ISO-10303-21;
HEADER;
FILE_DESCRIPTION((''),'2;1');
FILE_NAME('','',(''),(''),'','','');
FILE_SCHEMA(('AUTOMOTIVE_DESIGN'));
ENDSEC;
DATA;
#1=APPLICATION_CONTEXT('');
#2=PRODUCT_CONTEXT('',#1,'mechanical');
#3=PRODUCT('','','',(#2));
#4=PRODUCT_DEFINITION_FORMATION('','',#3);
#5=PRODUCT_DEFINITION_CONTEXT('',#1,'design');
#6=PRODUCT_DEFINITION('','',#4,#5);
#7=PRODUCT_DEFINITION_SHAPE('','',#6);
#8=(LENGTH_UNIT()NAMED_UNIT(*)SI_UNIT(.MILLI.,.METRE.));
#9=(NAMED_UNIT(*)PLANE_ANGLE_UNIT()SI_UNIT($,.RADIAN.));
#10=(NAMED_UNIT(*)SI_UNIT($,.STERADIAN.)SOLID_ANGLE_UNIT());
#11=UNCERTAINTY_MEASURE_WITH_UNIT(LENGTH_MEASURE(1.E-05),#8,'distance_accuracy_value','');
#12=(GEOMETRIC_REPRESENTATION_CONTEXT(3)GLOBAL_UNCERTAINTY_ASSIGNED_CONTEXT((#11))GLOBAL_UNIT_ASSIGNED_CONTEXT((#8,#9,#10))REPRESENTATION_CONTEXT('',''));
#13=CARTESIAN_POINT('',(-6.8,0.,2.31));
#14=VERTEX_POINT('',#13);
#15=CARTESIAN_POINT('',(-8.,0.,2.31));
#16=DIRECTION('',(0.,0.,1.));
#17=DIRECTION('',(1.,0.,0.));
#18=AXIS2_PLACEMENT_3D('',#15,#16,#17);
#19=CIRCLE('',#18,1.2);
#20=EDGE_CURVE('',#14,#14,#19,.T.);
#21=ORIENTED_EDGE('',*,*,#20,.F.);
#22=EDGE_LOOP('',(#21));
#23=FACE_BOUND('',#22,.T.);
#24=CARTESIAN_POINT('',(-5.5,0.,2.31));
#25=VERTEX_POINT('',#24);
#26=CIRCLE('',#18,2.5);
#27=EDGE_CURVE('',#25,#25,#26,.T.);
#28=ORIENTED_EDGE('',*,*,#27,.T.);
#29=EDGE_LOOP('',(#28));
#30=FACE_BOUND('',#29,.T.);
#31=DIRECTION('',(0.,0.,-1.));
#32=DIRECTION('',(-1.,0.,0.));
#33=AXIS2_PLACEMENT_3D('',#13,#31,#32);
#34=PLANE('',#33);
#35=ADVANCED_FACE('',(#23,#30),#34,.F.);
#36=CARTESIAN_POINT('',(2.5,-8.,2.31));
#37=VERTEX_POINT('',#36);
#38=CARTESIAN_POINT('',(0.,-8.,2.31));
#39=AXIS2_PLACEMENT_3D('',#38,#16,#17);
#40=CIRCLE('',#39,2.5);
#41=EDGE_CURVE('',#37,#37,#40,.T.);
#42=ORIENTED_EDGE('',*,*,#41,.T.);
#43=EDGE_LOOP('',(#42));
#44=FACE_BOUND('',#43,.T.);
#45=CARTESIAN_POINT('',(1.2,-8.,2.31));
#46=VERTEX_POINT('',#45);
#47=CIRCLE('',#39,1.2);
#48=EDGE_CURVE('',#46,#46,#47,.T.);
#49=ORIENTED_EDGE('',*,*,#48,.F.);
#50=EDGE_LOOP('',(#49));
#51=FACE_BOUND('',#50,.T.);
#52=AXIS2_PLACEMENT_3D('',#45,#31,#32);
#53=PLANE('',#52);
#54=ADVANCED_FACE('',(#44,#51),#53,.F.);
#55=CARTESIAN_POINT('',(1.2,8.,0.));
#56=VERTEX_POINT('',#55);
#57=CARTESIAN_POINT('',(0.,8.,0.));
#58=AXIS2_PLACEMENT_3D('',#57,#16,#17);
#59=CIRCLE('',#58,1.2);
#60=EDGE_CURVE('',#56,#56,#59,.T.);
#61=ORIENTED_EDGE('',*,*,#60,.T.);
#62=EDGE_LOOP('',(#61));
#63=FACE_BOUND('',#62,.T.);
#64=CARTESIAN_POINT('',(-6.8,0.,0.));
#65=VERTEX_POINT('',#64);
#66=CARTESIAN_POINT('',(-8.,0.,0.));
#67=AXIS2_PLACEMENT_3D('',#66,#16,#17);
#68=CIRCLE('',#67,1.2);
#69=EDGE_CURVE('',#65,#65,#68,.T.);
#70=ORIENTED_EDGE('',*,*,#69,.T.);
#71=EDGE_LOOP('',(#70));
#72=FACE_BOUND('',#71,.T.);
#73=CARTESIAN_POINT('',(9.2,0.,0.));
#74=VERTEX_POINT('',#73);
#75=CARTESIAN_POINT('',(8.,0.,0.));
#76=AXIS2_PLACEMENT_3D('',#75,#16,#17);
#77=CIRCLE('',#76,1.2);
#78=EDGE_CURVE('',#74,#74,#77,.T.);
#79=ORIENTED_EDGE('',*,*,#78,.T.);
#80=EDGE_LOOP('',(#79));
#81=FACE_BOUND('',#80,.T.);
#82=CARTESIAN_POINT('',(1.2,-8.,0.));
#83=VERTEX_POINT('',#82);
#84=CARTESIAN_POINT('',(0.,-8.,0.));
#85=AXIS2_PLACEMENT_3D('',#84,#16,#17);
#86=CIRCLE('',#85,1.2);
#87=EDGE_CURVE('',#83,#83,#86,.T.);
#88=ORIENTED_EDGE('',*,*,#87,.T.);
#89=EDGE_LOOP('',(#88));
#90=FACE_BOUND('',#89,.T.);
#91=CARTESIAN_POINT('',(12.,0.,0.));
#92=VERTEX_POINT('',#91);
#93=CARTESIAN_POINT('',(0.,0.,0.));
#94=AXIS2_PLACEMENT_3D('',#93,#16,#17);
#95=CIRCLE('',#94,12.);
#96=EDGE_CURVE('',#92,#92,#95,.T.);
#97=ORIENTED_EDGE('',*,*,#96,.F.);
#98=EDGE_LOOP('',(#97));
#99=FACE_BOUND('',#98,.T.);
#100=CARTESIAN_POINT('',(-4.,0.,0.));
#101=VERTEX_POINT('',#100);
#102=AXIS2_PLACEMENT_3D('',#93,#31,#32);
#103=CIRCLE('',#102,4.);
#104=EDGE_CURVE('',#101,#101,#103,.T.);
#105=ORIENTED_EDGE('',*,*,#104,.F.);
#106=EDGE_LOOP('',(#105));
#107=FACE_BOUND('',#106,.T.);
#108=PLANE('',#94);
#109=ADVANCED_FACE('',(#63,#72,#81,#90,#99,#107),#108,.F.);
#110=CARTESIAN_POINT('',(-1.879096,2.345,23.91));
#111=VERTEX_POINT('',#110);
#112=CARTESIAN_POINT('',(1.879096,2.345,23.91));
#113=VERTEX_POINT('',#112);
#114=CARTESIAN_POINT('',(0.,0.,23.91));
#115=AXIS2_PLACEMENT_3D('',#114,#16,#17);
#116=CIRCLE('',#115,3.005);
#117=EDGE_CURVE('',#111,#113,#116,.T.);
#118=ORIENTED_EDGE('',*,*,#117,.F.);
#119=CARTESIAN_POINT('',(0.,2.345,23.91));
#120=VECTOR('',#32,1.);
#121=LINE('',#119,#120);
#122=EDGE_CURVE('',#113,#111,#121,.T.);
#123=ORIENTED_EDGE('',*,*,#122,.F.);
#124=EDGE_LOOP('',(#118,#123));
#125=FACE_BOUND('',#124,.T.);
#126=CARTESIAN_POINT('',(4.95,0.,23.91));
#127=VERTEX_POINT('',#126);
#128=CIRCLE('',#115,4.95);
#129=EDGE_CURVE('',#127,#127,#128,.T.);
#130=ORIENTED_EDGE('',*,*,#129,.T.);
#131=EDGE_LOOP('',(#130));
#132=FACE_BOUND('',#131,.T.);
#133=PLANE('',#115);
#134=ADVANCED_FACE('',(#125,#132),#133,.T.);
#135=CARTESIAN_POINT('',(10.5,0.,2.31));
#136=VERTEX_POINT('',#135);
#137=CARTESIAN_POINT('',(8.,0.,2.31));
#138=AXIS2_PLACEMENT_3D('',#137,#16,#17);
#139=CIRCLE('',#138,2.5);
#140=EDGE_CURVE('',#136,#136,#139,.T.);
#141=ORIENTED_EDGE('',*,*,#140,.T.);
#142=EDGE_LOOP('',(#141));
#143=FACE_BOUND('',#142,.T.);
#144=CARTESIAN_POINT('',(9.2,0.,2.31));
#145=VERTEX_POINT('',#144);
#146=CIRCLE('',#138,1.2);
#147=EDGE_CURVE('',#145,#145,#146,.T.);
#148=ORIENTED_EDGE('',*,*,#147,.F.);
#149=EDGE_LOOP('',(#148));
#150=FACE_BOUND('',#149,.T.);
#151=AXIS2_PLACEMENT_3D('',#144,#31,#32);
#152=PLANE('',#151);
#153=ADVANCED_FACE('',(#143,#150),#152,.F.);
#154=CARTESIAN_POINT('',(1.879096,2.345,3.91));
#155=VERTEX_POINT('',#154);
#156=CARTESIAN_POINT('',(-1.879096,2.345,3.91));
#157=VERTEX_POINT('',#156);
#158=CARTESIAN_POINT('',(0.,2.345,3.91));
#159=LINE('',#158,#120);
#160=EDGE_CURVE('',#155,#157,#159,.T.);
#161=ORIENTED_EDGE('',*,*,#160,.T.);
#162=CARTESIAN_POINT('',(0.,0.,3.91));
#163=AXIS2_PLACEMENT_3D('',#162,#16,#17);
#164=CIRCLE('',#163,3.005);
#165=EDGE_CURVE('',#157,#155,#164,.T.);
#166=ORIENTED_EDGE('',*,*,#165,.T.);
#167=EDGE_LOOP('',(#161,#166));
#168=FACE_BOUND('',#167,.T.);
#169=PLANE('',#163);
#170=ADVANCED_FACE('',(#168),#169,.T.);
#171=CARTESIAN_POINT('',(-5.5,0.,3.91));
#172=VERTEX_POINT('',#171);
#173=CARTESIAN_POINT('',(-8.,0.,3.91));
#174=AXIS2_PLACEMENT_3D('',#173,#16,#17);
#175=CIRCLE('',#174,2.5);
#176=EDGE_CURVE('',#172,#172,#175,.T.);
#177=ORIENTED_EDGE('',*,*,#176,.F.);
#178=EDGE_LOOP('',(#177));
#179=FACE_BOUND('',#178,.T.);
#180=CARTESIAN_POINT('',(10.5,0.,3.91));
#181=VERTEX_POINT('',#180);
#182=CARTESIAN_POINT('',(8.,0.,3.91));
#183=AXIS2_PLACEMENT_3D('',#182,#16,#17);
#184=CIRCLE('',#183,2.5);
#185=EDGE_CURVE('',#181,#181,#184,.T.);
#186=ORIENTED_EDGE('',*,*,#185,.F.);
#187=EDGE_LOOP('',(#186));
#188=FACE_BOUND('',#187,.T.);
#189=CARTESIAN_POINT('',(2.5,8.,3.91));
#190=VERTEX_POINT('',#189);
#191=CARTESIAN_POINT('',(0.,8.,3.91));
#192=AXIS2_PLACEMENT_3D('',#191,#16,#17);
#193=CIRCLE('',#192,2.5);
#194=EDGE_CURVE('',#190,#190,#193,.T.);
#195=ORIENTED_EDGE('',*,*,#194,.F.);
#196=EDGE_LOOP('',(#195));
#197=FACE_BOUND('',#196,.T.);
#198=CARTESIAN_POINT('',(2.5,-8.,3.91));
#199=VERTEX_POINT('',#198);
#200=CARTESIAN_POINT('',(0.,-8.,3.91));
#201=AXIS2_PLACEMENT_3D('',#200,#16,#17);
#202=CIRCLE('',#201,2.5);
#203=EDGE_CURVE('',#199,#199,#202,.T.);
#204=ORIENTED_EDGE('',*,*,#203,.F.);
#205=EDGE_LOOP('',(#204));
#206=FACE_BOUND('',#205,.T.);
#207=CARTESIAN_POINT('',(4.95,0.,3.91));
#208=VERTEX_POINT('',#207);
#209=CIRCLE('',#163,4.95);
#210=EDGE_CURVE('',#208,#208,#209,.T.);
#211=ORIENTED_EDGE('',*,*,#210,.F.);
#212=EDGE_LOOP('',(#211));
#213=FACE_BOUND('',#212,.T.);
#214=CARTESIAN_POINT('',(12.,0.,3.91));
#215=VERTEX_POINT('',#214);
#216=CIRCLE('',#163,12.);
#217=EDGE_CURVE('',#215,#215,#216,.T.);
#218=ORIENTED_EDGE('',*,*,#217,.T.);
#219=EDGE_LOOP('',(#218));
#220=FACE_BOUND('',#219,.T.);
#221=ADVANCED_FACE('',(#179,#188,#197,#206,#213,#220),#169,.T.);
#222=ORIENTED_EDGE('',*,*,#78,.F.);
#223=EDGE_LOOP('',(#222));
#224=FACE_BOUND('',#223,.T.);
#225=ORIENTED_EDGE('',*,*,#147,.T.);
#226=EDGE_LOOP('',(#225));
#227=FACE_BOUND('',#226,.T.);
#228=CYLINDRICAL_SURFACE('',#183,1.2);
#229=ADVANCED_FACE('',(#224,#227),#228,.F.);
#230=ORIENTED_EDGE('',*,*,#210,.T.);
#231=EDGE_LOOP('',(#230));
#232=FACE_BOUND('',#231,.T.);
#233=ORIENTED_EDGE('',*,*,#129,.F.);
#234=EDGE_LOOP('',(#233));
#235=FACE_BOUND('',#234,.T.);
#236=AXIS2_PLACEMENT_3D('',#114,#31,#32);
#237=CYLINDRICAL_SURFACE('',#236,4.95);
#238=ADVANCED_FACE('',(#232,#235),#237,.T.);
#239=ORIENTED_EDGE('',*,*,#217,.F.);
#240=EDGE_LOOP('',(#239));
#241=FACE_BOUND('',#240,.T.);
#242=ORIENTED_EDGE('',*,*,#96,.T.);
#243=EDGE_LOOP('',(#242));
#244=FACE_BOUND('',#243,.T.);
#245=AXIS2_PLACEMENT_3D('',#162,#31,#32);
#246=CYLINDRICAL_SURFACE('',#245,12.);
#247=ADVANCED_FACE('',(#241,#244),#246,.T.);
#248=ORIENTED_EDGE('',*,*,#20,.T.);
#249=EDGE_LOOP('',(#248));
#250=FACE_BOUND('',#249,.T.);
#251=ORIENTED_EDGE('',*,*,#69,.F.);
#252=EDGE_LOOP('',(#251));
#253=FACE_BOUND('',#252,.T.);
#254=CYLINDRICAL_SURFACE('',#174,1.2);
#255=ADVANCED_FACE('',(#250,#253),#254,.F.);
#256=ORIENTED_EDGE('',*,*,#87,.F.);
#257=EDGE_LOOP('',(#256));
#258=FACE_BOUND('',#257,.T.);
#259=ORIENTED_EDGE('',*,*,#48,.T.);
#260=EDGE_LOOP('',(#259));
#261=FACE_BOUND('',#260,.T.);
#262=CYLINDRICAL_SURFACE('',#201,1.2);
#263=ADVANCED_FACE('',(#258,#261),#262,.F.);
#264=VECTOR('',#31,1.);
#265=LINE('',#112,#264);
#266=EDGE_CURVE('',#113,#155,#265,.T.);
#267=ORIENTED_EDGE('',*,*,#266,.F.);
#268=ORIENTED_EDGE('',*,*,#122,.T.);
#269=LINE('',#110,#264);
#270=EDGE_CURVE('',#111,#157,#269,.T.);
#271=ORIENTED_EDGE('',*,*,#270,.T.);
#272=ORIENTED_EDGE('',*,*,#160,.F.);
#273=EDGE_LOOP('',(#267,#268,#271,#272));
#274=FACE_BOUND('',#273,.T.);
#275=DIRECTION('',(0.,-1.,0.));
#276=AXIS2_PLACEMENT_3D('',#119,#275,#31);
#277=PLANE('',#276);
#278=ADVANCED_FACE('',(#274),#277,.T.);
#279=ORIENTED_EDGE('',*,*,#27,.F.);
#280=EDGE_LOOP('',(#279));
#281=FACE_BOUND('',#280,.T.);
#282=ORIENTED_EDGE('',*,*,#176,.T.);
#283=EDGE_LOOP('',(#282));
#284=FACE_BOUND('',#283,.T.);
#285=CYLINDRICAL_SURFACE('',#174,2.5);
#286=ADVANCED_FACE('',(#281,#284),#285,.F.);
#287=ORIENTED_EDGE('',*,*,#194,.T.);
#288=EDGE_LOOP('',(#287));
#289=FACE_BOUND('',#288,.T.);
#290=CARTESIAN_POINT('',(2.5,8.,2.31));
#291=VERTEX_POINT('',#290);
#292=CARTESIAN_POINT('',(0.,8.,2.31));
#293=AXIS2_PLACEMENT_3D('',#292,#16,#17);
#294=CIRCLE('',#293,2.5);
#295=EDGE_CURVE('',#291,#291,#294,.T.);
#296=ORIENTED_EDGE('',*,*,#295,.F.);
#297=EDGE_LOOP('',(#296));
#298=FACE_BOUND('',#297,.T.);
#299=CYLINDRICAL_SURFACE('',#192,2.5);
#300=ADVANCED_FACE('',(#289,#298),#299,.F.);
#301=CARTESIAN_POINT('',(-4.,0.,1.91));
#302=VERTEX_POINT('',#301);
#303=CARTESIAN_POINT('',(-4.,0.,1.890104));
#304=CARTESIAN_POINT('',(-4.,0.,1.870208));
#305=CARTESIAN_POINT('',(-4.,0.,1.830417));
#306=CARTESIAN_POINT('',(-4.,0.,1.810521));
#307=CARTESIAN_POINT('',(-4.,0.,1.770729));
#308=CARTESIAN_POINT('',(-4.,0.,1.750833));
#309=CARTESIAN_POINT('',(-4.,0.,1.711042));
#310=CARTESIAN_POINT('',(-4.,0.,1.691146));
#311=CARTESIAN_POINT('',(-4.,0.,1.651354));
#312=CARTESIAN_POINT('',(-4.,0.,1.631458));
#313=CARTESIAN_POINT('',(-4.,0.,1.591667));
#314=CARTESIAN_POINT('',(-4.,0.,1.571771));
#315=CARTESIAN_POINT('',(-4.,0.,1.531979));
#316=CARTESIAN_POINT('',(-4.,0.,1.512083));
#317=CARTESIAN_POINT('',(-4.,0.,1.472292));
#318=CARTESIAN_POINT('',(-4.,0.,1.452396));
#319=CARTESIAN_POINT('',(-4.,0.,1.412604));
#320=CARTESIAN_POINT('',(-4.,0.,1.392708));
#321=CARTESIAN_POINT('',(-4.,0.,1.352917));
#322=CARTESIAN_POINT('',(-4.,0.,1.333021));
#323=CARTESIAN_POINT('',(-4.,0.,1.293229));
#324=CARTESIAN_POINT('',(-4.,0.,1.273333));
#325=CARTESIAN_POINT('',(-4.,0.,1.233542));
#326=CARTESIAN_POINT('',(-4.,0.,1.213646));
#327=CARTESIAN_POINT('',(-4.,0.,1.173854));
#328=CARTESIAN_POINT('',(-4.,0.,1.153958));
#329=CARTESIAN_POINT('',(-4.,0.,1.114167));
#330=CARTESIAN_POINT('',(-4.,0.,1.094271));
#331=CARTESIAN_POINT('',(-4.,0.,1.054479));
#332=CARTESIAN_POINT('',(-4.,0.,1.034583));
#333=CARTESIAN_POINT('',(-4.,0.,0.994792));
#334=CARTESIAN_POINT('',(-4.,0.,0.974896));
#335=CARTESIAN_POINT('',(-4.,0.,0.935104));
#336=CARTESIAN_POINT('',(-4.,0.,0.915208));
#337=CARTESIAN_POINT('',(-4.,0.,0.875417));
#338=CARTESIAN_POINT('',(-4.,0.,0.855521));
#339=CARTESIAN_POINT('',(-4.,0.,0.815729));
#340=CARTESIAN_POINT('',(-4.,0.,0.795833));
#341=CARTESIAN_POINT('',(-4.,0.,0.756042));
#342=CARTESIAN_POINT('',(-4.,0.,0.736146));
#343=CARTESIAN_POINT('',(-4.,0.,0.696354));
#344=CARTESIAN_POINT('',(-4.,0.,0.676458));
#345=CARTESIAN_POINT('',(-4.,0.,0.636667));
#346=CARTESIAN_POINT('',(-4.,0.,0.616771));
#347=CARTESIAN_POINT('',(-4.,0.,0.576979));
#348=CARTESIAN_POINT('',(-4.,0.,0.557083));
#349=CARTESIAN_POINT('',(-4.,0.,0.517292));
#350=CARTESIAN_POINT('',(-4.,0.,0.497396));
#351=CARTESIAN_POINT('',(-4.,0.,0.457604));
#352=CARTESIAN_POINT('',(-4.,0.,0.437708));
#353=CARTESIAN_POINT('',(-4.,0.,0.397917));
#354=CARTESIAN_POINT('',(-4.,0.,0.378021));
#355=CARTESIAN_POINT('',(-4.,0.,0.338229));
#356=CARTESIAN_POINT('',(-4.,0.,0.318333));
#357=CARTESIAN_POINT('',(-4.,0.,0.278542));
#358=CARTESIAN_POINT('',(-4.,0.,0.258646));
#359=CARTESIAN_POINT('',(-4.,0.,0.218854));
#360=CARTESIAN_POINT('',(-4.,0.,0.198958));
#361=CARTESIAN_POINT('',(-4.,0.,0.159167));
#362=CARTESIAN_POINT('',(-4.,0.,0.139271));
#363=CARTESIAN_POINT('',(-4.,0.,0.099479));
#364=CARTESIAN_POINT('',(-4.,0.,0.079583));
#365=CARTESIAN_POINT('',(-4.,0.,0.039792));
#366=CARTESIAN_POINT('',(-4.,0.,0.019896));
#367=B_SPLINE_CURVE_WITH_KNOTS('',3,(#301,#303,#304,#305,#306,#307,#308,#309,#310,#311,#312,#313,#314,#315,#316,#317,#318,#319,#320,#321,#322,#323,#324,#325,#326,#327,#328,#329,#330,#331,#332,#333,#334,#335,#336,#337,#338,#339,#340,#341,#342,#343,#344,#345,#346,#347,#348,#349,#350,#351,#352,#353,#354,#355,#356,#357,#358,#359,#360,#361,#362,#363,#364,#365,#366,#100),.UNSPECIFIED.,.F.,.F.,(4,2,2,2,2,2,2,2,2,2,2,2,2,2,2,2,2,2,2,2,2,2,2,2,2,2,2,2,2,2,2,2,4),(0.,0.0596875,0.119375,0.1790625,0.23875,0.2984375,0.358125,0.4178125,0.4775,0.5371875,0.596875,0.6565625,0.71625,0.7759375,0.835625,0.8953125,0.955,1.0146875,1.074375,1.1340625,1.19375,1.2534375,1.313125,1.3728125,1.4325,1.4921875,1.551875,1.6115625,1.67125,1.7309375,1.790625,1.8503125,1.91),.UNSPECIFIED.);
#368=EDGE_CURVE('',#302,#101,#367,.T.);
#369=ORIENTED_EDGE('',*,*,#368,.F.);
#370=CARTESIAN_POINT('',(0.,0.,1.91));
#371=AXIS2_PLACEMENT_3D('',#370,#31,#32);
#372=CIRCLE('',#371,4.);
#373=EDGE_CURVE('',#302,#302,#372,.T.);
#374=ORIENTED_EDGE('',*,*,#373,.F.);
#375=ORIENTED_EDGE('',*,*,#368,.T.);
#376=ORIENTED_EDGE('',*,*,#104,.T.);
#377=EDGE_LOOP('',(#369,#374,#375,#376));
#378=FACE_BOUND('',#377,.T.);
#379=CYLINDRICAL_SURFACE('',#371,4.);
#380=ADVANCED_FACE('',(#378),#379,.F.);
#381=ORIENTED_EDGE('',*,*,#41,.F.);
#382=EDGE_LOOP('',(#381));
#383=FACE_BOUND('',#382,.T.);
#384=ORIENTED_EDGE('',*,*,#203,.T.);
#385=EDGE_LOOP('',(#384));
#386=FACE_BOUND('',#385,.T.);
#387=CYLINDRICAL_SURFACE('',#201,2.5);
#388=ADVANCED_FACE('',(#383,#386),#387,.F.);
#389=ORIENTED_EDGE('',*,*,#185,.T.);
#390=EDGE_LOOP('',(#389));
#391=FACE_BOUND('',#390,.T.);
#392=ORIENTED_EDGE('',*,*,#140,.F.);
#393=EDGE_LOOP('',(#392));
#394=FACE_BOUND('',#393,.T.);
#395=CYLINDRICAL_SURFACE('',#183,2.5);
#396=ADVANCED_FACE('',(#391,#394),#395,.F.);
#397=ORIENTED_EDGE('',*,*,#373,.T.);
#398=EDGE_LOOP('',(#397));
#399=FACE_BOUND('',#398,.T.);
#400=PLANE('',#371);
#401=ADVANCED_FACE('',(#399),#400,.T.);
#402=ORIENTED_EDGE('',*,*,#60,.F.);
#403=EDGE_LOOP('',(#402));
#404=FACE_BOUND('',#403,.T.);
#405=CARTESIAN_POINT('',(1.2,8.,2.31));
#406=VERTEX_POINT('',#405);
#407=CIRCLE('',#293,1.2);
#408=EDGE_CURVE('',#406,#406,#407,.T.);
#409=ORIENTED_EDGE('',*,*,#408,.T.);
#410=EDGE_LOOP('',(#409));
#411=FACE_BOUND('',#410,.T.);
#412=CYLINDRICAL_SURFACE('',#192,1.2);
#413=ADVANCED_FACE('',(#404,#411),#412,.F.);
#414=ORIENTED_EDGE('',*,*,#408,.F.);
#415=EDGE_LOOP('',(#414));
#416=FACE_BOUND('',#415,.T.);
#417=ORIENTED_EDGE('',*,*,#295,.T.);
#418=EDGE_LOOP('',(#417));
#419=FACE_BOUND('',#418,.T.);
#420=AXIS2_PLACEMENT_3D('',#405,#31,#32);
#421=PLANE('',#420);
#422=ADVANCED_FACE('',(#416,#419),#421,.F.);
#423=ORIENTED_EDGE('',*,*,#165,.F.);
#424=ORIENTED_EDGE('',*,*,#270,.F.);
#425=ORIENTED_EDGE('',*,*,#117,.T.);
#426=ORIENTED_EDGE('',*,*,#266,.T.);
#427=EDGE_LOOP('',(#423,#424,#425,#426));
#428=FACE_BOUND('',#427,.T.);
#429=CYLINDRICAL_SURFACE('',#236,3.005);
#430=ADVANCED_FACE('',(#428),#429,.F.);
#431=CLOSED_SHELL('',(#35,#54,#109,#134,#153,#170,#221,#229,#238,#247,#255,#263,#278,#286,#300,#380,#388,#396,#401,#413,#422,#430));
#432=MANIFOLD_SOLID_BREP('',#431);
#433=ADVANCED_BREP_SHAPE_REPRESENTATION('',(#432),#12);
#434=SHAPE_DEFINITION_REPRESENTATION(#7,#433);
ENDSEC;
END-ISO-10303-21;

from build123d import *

# Parameters (mm, degrees)
ESQUISSE1_R                                        = 12
BOSS_EXTRU_1_DEPTH                                 = 3.91
ESQUISSE6_R                                        = 4
ENL_V_MAT_EXTRU_2_DEPTH                            = 1.91
ESQUISSE7_R                                        = 4.95
BOSS_EXTRU_2_DEPTH                                 = 20
CHAMBRAGE_POUR_VIS_T_TE_RONDE_BOMB_E_M_D           = 2.4
CHAMBRAGE_POUR_VIS_T_TE_RONDE_BOMB_E_M_CBORE_D     = 5
CHAMBRAGE_POUR_VIS_T_TE_RONDE_BOMB_E_M_CBORE_DEPTH = 1.6
R_P_TITION_CIRCULAIRE2_COUNT                       = 4


with BuildPart() as part:
    # Esquisse1 → Boss.-Extru.1 (new body)
    with BuildSketch(Plane.XY):
        Circle(ESQUISSE1_R)
    extrude(amount=BOSS_EXTRU_1_DEPTH)

    # Esquisse6 → Enlèv. mat.-Extru.2 (cut)
    with BuildSketch(Plane(origin=(0, 0, 0), x_dir=(-1, 0, 0), z_dir=(0, 0, -1))):
        Circle(ESQUISSE6_R)
    extrude(amount=-ENL_V_MAT_EXTRU_2_DEPTH, mode=Mode.SUBTRACT)

    # Esquisse7 → Boss.-Extru.2 (add)
    with BuildSketch(Plane.XY.offset(3.91)):
        Circle(ESQUISSE7_R)
        with BuildLine():
            Line((1.879095527, 2.345), (-1.879095527, 2.345))
            ThreePointArc((-1.879095527, 2.345), (0, -3.005), (1.879095527, 2.345))
        make_face(mode=Mode.SUBTRACT)
    extrude(amount=BOSS_EXTRU_2_DEPTH)

    # Chambrage pour vis à tête ronde bombée M21 (through all)
    with Locations(Plane.XY.offset(3.91)):
        with Locations((0, 8)):
            chambrage_pour_vis_t_te_ronde_bomb_e_m = CounterBoreHole(CHAMBRAGE_POUR_VIS_T_TE_RONDE_BOMB_E_M_D / 2, CHAMBRAGE_POUR_VIS_T_TE_RONDE_BOMB_E_M_CBORE_D / 2, CHAMBRAGE_POUR_VIS_T_TE_RONDE_BOMB_E_M_CBORE_DEPTH)

    # Répétition circulaire2: Chambrage pour vis à tête ronde bombée M21 ×4 about axis
    r_p_tition_circulaire2_axis = Axis((0, 0, 0), (0, 0, 1))
    for i in range(1, R_P_TITION_CIRCULAIRE2_COUNT):
        add(chambrage_pour_vis_t_te_ronde_bomb_e_m.rotate(r_p_tition_circulaire2_axis, i * 360 / R_P_TITION_CIRCULAIRE2_COUNT), mode=Mode.SUBTRACT)


solid = part.part
